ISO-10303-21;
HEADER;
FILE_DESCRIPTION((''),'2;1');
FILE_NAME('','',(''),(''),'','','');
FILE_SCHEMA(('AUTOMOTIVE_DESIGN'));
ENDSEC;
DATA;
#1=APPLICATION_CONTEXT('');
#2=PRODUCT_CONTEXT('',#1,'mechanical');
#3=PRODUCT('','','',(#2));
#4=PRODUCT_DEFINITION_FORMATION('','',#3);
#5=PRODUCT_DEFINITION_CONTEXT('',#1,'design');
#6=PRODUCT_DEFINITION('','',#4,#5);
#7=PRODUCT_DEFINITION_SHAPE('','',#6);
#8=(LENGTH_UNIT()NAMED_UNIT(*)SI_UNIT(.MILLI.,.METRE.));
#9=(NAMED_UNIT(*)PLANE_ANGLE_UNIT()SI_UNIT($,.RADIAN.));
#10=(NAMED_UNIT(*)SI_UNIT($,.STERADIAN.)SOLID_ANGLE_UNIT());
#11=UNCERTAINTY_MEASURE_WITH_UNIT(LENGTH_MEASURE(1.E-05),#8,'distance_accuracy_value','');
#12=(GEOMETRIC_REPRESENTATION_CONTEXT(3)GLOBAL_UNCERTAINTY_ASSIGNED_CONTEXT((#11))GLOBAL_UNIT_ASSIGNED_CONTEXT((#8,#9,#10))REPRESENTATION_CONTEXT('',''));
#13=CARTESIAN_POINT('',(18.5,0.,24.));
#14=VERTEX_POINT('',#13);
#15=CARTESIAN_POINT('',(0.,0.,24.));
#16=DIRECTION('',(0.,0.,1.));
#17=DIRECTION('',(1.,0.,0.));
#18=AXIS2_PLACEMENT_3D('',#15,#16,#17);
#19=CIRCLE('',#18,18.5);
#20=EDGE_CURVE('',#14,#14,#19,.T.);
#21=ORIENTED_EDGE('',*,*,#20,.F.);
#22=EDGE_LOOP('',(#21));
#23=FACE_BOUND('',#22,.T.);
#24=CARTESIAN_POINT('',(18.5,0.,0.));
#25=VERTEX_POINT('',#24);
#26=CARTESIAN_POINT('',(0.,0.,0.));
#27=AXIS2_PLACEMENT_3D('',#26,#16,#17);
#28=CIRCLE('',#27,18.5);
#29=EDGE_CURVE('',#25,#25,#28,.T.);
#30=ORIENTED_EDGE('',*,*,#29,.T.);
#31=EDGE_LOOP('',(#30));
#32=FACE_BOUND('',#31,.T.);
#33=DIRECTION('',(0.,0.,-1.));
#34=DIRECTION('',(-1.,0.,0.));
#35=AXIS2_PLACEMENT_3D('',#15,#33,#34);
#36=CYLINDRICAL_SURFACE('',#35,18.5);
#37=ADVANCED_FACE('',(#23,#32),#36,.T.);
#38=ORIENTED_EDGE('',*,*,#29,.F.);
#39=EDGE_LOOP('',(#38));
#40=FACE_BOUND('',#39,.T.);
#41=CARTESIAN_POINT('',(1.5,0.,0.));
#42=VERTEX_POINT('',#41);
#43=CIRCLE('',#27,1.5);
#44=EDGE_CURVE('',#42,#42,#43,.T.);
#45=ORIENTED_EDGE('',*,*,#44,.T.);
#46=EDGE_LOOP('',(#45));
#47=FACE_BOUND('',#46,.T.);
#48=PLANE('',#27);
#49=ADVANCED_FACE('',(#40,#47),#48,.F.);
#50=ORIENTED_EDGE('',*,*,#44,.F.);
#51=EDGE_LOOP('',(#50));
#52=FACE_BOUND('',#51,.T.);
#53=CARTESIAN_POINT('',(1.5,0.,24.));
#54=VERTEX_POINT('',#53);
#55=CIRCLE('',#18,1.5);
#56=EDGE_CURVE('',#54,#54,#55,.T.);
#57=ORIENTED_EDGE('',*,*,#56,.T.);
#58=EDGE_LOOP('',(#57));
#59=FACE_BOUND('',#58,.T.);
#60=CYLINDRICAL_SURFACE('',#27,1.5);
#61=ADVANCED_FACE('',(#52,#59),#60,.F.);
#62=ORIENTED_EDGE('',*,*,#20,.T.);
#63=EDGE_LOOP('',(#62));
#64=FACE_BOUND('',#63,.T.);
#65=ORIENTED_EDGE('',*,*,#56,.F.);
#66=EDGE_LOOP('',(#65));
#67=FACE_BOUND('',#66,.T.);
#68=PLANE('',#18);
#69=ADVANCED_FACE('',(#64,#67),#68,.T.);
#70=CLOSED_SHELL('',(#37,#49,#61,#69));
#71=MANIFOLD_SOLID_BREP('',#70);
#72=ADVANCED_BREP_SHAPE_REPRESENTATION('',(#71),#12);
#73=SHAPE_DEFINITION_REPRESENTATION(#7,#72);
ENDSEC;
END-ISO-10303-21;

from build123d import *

# Parameters (mm, degrees)
SKETCH_1_R          = 18.5
EXTRUDE_1_DEPTH     = 24
SKETCH_2_R          = 1.5
CUT_EXTRUDE_1_DEPTH = 25


with BuildPart() as part:
    # 草图1 → 凸台-拉伸1 (new body)
    with BuildSketch(Plane.XY):
        Circle(SKETCH_1_R)
    extrude(amount=EXTRUDE_1_DEPTH)

    # 草图2 → 切除-拉伸1 (cut, through all)
    with BuildSketch(Plane.XY.offset(24)):
        Circle(SKETCH_2_R)
    extrude(amount=-CUT_EXTRUDE_1_DEPTH, mode=Mode.SUBTRACT)


solid = part.part
